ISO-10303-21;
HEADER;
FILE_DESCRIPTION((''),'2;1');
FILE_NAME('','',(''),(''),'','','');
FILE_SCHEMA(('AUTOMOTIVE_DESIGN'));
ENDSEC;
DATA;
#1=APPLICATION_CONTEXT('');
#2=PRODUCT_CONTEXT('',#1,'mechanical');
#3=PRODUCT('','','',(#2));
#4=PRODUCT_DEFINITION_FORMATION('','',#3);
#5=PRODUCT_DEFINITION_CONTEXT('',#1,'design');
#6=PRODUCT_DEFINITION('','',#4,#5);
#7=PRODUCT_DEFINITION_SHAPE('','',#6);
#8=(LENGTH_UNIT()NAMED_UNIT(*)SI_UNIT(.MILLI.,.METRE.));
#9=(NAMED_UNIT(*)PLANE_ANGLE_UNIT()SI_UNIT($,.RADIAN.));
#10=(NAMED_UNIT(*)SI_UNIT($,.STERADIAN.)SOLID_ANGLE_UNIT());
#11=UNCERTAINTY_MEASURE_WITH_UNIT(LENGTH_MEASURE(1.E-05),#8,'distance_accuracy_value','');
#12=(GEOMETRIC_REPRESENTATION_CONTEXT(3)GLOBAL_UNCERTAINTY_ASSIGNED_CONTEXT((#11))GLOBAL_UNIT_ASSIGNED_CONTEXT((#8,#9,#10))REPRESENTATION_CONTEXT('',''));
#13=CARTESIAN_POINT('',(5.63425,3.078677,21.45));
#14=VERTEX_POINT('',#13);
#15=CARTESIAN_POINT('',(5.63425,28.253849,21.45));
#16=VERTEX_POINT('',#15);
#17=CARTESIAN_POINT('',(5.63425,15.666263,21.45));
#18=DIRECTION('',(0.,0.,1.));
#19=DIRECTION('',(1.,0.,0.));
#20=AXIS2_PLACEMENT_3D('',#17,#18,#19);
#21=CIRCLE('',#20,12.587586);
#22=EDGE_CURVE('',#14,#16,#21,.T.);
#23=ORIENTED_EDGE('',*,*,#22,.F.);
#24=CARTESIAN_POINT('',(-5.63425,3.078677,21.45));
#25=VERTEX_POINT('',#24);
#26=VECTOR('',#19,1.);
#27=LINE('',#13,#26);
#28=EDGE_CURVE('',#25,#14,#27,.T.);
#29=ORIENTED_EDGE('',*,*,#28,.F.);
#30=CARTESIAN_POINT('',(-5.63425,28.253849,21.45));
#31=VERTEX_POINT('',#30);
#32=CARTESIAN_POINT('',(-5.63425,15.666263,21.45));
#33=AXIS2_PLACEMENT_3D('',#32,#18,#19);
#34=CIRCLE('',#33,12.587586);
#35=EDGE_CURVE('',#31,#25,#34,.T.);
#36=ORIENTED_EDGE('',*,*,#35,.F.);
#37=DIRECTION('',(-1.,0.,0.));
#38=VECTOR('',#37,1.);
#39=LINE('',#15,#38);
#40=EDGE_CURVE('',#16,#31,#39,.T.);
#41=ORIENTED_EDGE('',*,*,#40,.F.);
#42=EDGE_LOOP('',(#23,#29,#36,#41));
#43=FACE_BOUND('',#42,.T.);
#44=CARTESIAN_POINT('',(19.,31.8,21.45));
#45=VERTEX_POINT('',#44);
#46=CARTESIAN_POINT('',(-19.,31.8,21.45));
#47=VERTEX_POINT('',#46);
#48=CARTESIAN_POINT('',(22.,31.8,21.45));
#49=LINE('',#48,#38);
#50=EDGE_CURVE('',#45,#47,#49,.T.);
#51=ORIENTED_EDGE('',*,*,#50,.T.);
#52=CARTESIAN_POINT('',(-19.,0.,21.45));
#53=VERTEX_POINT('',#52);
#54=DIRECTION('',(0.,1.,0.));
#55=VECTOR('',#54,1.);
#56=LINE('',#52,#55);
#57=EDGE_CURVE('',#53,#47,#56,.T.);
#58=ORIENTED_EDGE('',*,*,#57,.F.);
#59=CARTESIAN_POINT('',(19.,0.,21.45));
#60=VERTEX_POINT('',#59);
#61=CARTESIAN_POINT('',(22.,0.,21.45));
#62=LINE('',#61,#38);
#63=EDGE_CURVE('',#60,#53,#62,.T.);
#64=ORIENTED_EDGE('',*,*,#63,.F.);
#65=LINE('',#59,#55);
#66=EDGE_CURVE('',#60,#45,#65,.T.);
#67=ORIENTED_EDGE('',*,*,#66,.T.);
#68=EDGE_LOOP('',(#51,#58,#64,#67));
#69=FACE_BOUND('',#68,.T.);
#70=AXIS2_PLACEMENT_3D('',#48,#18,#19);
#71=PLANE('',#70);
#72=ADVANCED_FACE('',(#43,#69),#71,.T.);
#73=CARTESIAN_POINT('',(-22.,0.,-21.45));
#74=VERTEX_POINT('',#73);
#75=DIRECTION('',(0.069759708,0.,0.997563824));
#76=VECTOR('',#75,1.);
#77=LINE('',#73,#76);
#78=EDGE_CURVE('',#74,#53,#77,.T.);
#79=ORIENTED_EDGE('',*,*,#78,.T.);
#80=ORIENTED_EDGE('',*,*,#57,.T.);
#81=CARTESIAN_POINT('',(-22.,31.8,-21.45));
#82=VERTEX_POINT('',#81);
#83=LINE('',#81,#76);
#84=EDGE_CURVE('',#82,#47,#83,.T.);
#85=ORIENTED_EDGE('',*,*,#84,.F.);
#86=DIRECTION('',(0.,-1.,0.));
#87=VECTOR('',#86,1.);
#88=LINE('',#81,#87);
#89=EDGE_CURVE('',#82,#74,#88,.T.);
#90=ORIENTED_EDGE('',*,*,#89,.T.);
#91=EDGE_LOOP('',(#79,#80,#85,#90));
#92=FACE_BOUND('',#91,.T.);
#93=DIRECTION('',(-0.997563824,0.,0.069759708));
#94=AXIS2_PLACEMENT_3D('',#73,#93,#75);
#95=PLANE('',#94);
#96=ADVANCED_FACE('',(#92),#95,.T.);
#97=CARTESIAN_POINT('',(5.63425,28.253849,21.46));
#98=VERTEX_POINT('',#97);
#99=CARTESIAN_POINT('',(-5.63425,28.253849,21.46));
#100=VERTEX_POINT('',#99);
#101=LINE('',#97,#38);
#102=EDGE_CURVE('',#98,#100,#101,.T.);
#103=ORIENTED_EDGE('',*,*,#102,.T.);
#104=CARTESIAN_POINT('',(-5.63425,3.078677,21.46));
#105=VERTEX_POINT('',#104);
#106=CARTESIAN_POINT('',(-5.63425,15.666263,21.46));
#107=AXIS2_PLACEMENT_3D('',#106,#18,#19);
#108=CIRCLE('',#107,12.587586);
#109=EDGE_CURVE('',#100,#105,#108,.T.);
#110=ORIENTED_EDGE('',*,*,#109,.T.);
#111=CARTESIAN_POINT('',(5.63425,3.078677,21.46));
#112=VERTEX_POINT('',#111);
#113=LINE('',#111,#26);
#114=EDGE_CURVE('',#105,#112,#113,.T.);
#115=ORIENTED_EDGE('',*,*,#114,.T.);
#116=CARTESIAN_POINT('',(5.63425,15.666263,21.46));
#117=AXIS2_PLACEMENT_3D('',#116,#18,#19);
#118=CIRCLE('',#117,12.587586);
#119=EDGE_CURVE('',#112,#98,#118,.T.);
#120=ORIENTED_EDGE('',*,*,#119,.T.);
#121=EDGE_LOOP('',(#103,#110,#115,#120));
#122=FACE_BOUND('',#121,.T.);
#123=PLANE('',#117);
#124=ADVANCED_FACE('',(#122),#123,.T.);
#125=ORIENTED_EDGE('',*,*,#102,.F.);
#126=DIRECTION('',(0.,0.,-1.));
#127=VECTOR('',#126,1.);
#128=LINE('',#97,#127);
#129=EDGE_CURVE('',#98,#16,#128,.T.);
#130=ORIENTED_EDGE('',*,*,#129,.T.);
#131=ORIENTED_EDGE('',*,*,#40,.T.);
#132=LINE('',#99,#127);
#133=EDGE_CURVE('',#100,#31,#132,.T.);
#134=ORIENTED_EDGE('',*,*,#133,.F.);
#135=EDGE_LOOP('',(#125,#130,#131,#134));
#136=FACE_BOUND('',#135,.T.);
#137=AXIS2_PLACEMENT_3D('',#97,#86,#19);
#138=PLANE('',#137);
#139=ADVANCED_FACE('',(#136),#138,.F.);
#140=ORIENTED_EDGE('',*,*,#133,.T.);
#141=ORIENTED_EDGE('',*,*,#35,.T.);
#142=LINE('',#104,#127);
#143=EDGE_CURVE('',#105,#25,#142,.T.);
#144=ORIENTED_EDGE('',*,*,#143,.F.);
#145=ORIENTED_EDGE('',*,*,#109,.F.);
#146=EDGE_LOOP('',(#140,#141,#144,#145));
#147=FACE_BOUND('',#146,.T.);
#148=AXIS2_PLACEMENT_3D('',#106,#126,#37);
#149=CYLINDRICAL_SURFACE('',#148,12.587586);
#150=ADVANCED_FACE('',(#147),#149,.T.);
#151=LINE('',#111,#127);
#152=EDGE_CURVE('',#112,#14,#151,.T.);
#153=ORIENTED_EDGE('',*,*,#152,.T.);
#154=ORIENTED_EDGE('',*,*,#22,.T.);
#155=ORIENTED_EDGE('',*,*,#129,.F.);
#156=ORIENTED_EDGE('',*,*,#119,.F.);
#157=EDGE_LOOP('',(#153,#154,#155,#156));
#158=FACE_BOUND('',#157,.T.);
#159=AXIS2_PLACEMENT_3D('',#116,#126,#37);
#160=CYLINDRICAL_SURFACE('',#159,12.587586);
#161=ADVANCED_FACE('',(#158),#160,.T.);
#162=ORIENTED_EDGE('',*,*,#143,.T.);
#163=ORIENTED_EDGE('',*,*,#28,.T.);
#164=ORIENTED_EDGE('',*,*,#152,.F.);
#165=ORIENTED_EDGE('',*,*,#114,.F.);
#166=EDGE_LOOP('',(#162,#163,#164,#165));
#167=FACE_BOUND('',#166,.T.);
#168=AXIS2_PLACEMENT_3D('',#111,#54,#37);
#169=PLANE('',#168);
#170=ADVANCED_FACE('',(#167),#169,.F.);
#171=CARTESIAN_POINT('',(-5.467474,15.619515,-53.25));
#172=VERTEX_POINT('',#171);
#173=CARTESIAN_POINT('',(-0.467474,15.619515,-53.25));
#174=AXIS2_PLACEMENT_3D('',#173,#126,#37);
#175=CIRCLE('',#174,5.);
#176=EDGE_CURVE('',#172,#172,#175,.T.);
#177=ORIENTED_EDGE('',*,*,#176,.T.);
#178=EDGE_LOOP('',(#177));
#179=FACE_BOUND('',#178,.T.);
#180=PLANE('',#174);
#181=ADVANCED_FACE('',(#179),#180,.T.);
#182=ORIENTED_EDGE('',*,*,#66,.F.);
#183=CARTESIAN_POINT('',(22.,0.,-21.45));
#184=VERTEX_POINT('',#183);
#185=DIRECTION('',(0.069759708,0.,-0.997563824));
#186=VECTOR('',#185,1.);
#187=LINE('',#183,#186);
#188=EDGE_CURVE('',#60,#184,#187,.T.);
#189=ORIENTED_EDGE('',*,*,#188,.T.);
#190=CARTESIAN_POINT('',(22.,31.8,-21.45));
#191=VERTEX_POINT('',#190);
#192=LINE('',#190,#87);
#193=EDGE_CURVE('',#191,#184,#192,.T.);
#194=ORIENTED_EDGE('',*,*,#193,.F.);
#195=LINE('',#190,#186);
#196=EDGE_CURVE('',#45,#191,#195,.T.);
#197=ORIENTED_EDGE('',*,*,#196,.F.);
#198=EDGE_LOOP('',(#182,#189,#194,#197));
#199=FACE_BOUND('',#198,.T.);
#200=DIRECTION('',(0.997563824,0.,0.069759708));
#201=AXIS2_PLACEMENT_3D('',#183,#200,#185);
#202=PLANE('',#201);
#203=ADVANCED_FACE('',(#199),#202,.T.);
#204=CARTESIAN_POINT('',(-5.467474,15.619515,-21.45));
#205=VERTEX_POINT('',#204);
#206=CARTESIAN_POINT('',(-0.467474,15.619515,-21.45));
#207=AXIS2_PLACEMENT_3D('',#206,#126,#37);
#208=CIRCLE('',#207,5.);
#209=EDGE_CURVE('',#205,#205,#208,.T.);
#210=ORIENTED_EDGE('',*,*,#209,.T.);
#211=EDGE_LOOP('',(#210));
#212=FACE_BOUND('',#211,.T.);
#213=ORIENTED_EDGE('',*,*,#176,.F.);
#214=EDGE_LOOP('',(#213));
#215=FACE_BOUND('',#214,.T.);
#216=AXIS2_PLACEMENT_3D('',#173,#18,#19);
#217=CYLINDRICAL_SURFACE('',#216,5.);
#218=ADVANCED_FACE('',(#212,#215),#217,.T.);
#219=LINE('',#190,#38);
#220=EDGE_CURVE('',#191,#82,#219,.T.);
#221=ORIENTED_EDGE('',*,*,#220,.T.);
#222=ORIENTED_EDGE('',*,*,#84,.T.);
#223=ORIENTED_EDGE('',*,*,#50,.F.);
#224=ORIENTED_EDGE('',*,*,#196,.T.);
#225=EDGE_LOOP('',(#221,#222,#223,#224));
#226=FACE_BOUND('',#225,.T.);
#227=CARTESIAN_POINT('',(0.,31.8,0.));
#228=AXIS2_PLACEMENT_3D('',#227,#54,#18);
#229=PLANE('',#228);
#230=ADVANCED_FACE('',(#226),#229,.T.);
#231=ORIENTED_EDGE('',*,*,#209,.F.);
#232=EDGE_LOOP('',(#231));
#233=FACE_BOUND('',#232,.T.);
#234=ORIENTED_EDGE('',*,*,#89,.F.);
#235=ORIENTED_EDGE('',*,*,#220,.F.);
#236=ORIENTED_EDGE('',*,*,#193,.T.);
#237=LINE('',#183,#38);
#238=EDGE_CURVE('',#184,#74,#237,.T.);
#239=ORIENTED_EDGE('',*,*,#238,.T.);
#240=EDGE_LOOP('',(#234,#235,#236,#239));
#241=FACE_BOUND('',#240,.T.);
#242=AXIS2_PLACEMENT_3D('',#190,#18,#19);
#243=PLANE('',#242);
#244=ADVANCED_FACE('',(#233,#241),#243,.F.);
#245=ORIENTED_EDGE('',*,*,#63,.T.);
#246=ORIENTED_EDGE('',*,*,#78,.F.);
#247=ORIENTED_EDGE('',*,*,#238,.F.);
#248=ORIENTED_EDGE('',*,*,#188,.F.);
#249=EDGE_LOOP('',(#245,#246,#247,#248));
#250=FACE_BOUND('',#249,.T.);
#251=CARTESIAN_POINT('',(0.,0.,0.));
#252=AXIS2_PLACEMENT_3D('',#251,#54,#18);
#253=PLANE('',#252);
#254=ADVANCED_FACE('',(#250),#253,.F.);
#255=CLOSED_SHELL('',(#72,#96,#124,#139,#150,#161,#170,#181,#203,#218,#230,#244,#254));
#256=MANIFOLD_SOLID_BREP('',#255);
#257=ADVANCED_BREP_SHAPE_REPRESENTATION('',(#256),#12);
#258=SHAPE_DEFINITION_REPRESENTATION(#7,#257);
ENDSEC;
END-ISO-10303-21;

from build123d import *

# Parameters (mm, degrees)
SKETCH1_W           = 44
SKETCH1_H           = 42.9
BOSS_EXTRUDE1_DEPTH = 31.8
SKETCH2_OUTSIDE_W   = 59.838
SKETCH2_OUTSIDE_H   = 58.738
CUT_EXTRUDE1_DEPTH  = 31.8
SKETCH6_R           = 5
BOSS_EXTRUDE2_DEPTH = 31.8
BOSS_EXTRUDE3_DEPTH = 0.01


with BuildPart() as part:
    # Sketch1 → Boss-Extrude1 (new body)
    with BuildSketch(Plane(origin=(0, 0, 0), x_dir=(1, 0, 0), z_dir=(0, 1, 0))):
        Rectangle(SKETCH1_W, SKETCH1_H)
    extrude(amount=BOSS_EXTRUDE1_DEPTH)

    # Sketch2 outside → Cut-Extrude1 (cut)
    with BuildSketch(Plane(origin=(0, 31.8, 0), x_dir=(1, 0, 0), z_dir=(0, 1, 0))):
        Rectangle(SKETCH2_OUTSIDE_W, SKETCH2_OUTSIDE_H)
        Polygon((-22, 21.45), (-19, -21.45), (19, -21.45), (22, 21.45), align=None, mode=Mode.SUBTRACT)
    extrude(amount=-CUT_EXTRUDE1_DEPTH, mode=Mode.SUBTRACT)

    # Sketch6 → Boss-Extrude2 (add)
    with BuildSketch(Plane(origin=(0, 0, -21.45), x_dir=(-1, 0, 0), z_dir=(0, 0, -1))):
        with Locations((0.467474435, 15.619515339)):
            Circle(SKETCH6_R)
    extrude(amount=BOSS_EXTRUDE2_DEPTH)

    # Sketch7 → Boss-Extrude3 (add)
    with BuildSketch(Plane.XY.offset(21.45)):
        with BuildLine():
            Line((5.634249571, 3.078676804), (-5.634249571, 3.078676804))
            ThreePointArc((-5.634249571, 3.078676804), (-18.221835549, 15.666262783), (-5.634249571, 28.253848761))
            Line((-5.634249571, 28.253848761), (5.634249571, 28.253848761))
            ThreePointArc((5.634249571, 28.253848761), (18.221835549, 15.666262783), (5.634249571, 3.078676804))
        make_face()
    extrude(amount=BOSS_EXTRUDE3_DEPTH)


solid = part.part
